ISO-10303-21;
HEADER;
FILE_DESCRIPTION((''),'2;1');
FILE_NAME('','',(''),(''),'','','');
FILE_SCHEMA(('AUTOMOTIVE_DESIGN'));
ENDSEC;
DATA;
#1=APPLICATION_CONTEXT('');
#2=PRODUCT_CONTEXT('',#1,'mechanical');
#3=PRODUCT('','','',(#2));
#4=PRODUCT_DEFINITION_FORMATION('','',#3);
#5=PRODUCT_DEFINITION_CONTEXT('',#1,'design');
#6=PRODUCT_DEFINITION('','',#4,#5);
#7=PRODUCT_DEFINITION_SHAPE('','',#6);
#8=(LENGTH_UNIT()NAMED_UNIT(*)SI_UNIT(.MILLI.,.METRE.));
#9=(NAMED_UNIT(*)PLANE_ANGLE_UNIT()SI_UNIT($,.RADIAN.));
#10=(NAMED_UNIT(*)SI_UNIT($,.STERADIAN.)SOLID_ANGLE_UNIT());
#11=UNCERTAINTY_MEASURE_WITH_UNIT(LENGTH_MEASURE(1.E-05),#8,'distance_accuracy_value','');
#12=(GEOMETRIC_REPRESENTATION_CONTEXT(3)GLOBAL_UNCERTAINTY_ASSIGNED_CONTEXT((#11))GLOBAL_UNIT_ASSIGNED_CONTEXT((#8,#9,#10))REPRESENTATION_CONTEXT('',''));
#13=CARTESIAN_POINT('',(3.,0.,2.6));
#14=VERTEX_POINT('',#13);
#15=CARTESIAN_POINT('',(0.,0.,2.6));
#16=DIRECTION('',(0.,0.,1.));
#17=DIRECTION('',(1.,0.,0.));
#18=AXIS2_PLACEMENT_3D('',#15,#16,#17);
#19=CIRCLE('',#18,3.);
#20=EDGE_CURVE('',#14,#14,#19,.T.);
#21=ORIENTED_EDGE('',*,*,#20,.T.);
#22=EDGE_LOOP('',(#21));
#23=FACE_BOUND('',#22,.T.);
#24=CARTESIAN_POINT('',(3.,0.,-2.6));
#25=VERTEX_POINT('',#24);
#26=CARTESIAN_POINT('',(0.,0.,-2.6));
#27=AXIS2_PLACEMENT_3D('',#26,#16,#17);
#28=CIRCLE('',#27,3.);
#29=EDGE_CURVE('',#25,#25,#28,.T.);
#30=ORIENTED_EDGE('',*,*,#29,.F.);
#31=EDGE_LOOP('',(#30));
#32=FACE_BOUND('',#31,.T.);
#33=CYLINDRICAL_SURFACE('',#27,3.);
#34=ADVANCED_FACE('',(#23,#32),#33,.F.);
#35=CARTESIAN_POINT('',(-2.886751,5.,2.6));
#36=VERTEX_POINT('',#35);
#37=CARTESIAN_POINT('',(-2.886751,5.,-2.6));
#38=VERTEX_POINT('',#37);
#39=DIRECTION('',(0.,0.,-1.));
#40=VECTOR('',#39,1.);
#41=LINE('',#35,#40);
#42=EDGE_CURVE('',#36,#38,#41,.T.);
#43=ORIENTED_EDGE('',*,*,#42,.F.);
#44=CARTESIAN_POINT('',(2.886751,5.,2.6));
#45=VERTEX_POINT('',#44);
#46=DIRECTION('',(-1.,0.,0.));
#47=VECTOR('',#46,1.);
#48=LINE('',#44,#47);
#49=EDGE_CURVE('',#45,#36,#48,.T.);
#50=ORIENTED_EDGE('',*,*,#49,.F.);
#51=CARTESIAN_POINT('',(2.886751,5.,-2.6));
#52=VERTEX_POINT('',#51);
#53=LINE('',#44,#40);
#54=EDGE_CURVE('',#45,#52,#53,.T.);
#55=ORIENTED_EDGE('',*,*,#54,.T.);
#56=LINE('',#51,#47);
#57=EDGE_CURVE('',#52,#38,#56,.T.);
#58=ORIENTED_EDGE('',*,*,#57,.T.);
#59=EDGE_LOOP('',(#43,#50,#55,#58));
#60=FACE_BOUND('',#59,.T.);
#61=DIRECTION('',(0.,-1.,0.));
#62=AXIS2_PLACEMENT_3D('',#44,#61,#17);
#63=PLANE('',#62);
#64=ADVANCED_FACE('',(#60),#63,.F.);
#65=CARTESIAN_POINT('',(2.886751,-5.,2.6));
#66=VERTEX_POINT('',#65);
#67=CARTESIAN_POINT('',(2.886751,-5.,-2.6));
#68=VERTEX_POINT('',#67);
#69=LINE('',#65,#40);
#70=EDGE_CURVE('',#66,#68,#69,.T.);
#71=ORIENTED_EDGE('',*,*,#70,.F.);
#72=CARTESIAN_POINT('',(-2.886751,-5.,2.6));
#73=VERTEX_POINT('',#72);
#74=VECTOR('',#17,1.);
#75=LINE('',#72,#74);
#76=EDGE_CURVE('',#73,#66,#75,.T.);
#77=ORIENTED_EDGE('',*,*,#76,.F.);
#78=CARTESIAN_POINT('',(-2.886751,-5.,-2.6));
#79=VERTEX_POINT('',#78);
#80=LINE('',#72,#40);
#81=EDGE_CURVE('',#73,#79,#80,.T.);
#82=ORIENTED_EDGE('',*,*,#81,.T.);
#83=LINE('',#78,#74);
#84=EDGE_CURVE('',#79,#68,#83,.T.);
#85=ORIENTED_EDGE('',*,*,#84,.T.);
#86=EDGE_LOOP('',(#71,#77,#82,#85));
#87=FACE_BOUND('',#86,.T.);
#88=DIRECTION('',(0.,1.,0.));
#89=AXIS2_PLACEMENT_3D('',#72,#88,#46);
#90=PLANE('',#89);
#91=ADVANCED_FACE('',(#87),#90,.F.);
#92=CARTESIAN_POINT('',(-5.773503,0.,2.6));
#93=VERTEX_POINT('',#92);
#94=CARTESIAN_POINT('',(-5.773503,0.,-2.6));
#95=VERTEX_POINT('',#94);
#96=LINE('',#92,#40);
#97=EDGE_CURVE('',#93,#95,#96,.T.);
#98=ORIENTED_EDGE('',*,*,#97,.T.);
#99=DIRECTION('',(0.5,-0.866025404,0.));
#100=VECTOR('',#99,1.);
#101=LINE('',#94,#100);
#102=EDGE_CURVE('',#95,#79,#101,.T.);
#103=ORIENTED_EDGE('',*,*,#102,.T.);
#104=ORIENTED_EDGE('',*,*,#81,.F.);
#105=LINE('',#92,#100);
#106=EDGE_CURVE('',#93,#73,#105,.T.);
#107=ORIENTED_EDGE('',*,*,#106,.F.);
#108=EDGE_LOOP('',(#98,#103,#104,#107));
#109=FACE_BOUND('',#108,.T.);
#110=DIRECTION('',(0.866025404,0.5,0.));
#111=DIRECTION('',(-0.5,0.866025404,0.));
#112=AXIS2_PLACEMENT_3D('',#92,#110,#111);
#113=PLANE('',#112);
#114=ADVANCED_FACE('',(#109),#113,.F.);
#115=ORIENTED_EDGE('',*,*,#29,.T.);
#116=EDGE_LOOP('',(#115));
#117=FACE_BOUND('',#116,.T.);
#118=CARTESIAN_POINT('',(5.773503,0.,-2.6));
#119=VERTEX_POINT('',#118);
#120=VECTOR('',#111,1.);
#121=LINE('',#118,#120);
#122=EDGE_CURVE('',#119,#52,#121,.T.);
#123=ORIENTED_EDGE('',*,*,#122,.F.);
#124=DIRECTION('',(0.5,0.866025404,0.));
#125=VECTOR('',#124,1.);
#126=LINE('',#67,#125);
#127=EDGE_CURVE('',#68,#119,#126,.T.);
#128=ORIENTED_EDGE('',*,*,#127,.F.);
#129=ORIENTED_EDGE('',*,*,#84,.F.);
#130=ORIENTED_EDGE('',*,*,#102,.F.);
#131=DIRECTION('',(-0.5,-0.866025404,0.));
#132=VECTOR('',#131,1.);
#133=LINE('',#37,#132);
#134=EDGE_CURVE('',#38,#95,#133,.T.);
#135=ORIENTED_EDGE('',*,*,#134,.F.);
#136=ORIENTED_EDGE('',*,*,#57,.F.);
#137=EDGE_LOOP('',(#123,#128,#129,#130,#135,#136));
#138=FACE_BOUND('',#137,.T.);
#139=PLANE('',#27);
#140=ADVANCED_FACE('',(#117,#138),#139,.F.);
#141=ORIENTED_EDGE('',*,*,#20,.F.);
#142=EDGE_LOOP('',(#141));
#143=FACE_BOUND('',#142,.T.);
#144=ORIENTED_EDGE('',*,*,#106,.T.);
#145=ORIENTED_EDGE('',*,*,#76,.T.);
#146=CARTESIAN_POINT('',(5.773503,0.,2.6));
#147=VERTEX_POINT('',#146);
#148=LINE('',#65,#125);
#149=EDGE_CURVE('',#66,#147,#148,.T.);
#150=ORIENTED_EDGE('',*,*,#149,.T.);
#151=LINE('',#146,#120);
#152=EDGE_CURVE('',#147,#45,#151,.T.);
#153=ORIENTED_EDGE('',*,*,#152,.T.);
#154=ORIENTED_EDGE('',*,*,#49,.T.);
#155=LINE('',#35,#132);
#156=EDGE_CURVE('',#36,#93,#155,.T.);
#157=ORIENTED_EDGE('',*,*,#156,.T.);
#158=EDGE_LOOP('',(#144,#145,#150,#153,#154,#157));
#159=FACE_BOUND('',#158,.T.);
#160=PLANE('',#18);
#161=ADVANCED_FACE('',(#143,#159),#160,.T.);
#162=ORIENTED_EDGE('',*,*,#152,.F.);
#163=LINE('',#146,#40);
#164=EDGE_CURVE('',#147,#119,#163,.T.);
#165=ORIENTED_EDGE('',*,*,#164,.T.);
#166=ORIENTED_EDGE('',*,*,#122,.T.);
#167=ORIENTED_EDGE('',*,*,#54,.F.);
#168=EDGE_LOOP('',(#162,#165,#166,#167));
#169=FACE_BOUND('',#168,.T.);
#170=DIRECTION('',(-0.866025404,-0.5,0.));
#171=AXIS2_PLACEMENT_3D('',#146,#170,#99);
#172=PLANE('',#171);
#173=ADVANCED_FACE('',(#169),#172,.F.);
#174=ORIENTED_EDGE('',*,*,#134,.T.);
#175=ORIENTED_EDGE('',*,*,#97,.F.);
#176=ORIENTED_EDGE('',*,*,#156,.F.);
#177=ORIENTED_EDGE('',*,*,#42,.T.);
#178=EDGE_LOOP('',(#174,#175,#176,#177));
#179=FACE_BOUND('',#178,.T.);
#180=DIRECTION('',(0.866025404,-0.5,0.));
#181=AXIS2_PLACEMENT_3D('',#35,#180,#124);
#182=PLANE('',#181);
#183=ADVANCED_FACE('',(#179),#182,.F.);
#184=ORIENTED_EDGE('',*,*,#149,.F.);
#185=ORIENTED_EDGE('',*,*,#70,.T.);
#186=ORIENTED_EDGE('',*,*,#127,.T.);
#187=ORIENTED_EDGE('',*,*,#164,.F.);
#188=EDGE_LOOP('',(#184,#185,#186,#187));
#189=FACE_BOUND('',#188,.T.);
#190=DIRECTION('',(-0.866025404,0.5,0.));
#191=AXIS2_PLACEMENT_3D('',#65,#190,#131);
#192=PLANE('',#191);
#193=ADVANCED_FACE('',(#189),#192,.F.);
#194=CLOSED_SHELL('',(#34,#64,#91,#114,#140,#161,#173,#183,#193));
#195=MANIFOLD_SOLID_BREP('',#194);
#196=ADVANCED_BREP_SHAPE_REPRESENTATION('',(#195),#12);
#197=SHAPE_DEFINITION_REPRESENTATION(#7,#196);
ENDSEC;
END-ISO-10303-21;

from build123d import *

# Parameters (mm, degrees)
BOSS_EXTRUDE1_DEPTH = 2.6
SKETCH2_R           = 3
CUT_EXTRUDE1_DEPTH  = 6.2


with BuildPart() as part:
    # Sketch1 → Boss-Extrude1 (new body, symmetric)
    with BuildSketch(Plane.XY):
        Polygon((5.773502692, 0), (2.886751346, 5), (-2.886751346, 5), (-5.773502692, 0), (-2.886751346, -5), (2.886751346, -5), align=None)
    extrude(amount=BOSS_EXTRUDE1_DEPTH, both=True)

    # Sketch2 → Cut-Extrude1 (cut, through all)
    with BuildSketch(Plane.XY.offset(2.6)):
        Circle(SKETCH2_R)
    extrude(amount=-CUT_EXTRUDE1_DEPTH, mode=Mode.SUBTRACT)


solid = part.part
